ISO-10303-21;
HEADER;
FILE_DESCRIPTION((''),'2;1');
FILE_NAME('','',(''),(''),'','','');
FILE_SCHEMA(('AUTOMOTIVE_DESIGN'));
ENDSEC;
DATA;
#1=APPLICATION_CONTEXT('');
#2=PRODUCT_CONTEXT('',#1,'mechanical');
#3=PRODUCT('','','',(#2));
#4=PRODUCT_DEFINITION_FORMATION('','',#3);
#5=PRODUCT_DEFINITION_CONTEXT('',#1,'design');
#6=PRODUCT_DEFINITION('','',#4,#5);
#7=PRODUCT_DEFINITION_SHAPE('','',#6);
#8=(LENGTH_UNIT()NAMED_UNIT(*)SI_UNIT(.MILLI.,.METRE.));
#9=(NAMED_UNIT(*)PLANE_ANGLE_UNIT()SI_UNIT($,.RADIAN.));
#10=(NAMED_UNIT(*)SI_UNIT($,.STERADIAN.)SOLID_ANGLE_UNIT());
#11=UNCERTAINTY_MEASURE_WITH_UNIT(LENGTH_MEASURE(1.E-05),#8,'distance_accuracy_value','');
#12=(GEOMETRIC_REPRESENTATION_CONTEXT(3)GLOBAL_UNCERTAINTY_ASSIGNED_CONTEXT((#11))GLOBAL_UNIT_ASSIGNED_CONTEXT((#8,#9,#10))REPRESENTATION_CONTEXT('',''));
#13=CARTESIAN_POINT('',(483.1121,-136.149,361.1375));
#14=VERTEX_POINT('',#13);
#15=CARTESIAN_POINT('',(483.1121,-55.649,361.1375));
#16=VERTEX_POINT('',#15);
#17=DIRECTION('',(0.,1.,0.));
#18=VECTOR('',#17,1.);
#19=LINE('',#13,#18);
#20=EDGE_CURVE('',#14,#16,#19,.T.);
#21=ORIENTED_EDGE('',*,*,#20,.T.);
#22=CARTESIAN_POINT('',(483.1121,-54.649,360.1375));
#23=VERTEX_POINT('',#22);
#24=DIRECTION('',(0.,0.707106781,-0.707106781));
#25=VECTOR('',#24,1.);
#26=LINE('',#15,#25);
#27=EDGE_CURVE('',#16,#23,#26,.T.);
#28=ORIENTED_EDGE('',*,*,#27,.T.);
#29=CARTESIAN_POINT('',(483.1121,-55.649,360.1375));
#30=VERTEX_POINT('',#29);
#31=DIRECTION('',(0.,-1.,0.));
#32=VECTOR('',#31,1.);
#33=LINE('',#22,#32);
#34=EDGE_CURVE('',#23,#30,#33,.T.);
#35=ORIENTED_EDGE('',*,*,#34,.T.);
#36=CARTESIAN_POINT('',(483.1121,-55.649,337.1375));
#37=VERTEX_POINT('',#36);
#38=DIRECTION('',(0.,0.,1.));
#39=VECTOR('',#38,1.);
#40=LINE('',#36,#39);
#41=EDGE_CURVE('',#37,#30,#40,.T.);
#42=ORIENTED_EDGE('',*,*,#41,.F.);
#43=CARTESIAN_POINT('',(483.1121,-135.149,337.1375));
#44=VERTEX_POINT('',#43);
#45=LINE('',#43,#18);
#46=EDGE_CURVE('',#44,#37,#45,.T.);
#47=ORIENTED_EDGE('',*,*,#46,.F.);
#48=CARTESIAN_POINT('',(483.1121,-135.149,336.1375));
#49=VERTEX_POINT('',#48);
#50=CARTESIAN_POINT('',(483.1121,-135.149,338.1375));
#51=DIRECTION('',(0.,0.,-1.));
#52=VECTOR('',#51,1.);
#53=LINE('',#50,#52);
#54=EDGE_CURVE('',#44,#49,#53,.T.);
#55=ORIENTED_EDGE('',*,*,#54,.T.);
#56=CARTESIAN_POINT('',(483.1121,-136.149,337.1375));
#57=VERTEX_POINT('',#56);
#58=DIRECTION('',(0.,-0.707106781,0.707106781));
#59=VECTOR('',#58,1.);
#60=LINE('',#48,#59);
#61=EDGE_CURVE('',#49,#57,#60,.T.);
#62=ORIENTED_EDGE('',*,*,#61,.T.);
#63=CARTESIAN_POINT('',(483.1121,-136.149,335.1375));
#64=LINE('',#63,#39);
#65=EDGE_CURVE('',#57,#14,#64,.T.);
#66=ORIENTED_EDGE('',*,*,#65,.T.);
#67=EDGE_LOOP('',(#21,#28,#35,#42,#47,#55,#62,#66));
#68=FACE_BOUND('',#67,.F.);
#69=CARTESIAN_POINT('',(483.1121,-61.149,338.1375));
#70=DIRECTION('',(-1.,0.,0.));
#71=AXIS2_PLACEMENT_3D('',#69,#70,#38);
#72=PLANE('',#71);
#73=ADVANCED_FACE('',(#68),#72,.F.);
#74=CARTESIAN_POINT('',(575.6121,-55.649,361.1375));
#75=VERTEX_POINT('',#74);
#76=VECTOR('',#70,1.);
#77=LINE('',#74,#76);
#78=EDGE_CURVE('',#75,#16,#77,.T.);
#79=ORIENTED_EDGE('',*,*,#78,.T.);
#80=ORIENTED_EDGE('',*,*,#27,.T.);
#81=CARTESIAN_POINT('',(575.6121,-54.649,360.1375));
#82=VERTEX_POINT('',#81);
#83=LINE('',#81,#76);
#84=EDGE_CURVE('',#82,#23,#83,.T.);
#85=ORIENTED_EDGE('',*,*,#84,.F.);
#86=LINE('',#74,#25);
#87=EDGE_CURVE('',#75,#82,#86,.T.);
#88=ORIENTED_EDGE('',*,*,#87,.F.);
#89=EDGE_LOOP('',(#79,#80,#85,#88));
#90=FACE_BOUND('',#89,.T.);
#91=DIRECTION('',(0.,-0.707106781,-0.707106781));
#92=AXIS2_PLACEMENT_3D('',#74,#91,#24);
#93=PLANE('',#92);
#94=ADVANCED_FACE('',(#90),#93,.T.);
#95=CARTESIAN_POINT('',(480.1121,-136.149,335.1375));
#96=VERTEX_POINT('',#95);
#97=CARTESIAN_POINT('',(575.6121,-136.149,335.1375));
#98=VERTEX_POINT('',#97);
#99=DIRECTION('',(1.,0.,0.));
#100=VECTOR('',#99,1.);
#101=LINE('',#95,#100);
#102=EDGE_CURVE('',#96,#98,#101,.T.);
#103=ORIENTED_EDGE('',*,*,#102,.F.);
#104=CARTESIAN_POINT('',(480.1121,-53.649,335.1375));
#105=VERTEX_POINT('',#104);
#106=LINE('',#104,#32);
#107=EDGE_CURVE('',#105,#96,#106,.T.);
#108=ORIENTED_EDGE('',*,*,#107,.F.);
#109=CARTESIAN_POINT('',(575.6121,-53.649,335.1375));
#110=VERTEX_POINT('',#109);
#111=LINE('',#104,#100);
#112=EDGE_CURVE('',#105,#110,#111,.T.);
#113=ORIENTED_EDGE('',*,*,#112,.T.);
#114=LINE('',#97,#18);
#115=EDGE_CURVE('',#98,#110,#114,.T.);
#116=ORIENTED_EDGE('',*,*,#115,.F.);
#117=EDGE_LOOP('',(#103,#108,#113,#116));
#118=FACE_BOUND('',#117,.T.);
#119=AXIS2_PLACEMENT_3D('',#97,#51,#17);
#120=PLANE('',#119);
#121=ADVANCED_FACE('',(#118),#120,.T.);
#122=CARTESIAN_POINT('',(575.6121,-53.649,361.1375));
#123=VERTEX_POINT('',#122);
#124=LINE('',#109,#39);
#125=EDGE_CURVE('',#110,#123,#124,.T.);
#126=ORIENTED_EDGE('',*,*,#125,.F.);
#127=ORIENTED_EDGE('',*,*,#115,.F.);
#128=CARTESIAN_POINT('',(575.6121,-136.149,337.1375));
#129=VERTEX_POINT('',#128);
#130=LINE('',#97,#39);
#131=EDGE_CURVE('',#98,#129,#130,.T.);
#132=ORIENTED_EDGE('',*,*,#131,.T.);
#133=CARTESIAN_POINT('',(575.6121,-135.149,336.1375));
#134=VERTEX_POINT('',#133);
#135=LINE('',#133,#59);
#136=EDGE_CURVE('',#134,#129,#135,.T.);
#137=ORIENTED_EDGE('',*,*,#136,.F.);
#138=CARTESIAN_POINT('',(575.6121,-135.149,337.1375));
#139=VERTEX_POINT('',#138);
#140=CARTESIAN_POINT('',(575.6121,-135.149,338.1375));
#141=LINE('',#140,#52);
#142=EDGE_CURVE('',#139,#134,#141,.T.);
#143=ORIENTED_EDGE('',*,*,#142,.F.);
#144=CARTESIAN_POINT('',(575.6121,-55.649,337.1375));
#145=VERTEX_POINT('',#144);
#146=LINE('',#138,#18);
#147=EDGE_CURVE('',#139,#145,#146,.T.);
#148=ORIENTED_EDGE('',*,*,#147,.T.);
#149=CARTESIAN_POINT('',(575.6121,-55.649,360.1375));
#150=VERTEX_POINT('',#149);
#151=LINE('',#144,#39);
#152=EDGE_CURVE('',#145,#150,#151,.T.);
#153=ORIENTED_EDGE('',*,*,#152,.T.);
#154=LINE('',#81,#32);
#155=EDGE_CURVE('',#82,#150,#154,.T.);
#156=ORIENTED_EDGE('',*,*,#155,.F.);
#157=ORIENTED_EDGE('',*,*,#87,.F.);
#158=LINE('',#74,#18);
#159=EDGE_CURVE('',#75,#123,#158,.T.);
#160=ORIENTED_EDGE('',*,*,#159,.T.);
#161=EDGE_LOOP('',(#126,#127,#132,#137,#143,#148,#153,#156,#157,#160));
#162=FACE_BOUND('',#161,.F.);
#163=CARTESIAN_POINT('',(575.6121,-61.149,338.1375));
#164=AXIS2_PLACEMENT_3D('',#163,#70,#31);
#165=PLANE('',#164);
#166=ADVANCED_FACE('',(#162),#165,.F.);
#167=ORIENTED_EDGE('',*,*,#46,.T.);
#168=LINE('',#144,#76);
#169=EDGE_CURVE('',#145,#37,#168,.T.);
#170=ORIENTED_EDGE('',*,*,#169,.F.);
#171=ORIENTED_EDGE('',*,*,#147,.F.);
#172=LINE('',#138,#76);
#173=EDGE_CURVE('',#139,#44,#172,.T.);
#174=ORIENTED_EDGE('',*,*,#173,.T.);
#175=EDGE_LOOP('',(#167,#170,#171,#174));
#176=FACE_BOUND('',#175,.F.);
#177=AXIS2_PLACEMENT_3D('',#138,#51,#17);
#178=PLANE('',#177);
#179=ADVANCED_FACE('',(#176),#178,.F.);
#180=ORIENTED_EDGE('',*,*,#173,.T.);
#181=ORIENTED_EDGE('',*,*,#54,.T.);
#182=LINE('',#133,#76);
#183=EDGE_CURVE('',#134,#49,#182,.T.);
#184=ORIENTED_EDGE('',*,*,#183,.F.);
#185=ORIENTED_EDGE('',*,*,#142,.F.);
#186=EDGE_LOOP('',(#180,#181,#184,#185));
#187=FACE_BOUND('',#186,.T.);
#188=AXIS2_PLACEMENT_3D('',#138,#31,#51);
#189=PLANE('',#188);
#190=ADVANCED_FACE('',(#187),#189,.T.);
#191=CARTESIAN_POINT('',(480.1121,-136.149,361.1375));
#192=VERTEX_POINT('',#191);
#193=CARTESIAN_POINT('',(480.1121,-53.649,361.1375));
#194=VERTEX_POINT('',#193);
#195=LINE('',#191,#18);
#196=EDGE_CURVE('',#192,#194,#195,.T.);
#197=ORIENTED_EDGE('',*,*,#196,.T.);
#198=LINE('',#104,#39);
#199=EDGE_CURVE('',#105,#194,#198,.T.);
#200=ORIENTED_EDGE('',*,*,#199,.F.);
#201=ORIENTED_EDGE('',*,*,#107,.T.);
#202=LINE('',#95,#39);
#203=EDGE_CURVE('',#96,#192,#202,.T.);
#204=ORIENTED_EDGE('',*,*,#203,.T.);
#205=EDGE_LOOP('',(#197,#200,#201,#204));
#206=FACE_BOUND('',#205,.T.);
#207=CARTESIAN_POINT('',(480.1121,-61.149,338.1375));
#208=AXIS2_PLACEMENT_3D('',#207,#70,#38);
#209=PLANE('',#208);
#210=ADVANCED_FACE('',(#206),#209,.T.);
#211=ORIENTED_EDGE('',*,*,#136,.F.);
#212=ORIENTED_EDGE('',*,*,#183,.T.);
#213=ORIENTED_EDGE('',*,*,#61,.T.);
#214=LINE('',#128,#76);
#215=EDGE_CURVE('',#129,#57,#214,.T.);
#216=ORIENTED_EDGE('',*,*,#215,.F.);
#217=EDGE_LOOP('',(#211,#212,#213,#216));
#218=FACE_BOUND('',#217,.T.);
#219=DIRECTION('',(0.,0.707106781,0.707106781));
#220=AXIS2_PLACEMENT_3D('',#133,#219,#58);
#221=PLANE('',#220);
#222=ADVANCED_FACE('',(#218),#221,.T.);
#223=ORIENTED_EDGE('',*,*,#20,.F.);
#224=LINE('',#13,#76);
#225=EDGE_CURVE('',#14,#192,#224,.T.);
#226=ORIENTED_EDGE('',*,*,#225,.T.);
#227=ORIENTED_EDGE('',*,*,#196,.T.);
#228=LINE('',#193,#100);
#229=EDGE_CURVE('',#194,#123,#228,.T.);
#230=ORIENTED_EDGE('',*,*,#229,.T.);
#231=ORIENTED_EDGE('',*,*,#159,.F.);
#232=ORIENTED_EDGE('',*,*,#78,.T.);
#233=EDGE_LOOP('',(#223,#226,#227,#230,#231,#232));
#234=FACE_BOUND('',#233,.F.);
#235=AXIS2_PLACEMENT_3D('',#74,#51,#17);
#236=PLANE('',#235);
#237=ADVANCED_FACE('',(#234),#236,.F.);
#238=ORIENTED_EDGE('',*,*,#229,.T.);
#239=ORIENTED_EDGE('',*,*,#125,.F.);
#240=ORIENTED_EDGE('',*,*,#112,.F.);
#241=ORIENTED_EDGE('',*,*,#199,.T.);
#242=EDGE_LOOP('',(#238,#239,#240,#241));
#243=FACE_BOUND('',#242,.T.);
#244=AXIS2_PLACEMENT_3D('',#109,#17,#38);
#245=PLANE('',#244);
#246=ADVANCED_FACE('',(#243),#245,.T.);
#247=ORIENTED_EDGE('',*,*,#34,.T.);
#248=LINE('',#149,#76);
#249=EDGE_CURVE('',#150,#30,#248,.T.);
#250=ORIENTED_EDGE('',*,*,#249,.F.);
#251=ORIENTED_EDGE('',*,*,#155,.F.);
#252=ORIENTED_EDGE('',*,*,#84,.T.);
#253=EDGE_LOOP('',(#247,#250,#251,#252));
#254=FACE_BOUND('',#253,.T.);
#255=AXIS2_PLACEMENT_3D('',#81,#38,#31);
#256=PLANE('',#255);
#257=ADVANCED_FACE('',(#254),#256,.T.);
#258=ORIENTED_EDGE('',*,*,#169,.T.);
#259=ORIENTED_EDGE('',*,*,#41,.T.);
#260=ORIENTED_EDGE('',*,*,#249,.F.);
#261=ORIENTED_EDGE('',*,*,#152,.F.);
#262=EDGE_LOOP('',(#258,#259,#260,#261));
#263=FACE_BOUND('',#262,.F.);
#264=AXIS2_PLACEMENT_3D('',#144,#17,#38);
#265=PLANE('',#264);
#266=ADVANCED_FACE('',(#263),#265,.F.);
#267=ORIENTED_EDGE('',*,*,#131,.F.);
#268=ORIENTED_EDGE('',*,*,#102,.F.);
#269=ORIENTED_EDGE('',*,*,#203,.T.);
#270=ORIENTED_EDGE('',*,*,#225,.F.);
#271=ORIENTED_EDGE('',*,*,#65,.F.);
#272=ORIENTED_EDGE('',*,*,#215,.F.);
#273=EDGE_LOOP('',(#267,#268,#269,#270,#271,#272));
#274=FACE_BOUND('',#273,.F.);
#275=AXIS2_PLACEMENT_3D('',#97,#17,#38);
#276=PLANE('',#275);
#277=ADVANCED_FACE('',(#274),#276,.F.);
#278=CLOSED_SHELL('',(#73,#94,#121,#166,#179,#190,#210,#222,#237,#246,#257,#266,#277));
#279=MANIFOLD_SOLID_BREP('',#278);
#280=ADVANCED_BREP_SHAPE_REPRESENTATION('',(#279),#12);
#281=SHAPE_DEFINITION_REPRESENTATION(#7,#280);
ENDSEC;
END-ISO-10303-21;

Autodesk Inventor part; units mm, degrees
ref_plane "YZ Plane" through (0, 0, 0) normal (1, 0, 0) x (0, 1, 0)
ref_plane "XZ Plane" through (0, 0, 0) normal (0, 1, 0) x (-1, 0, 0)
ref_plane "XY Plane" through (0, 0, 0) normal (0, 0, 1) x (1, 0, 0)
ref_plane "Arbeitsebene1" through (575.6121, -61.149, 338.1375) normal (-1, 0, 0) x (0, -1, 0)
sketch "Skizze1" plane through (575.6121, -61.149, 338.1375) normal (-1, 0, 0) x (0, -1, 0)
  line L0 (74, -2) -> (75, -1)
  line L1 (74, 0) -> (74, -2)
  line L2 (75, -3) -> (-7.5, -3)
  line L3 (-7.5, -3) -> (-7.5, 23)
  line L4 (-4.5, 22) -> (-3.5, 23)
  line L5 (-6.5, 22) -> (-4.5, 22)
  line L6 (-5.5, 23) -> (-6.5, 22)
  line L7 (-5.5, 23) -> (-7.5, 23)
  line L8 (75, -3) -> (75, -1)
  line L9 (74, -1) -> (-5.5, -1)
  line L10 (-5.5, -1) -> (-5.5, 22)
  point P0 (-61.149, -338.1375)
extrude "Extrusion1" add sketch "Skizze1" along normal blind 92.5
sketch "Skizze3" plane through (483.1121, -61.149, 338.1375) normal (-1, 0, 0) x (0, 0, 1)
  line L0 (-3, 7.5) -> (23, 7.5) projected
  line L1 (-3, -75) -> (23, -75)
  line L2 (23, -75) -> (23, 7.5)
  line L3 (23, 7.5) -> (-3, 7.5)
  line L4 (-3, 7.5) -> (-3, -75)
  point P0 (-338.1375, 61.149)
extrude "Extrusion2" add sketch "Skizze3" along normal blind 3
properties part number "BatCap"
